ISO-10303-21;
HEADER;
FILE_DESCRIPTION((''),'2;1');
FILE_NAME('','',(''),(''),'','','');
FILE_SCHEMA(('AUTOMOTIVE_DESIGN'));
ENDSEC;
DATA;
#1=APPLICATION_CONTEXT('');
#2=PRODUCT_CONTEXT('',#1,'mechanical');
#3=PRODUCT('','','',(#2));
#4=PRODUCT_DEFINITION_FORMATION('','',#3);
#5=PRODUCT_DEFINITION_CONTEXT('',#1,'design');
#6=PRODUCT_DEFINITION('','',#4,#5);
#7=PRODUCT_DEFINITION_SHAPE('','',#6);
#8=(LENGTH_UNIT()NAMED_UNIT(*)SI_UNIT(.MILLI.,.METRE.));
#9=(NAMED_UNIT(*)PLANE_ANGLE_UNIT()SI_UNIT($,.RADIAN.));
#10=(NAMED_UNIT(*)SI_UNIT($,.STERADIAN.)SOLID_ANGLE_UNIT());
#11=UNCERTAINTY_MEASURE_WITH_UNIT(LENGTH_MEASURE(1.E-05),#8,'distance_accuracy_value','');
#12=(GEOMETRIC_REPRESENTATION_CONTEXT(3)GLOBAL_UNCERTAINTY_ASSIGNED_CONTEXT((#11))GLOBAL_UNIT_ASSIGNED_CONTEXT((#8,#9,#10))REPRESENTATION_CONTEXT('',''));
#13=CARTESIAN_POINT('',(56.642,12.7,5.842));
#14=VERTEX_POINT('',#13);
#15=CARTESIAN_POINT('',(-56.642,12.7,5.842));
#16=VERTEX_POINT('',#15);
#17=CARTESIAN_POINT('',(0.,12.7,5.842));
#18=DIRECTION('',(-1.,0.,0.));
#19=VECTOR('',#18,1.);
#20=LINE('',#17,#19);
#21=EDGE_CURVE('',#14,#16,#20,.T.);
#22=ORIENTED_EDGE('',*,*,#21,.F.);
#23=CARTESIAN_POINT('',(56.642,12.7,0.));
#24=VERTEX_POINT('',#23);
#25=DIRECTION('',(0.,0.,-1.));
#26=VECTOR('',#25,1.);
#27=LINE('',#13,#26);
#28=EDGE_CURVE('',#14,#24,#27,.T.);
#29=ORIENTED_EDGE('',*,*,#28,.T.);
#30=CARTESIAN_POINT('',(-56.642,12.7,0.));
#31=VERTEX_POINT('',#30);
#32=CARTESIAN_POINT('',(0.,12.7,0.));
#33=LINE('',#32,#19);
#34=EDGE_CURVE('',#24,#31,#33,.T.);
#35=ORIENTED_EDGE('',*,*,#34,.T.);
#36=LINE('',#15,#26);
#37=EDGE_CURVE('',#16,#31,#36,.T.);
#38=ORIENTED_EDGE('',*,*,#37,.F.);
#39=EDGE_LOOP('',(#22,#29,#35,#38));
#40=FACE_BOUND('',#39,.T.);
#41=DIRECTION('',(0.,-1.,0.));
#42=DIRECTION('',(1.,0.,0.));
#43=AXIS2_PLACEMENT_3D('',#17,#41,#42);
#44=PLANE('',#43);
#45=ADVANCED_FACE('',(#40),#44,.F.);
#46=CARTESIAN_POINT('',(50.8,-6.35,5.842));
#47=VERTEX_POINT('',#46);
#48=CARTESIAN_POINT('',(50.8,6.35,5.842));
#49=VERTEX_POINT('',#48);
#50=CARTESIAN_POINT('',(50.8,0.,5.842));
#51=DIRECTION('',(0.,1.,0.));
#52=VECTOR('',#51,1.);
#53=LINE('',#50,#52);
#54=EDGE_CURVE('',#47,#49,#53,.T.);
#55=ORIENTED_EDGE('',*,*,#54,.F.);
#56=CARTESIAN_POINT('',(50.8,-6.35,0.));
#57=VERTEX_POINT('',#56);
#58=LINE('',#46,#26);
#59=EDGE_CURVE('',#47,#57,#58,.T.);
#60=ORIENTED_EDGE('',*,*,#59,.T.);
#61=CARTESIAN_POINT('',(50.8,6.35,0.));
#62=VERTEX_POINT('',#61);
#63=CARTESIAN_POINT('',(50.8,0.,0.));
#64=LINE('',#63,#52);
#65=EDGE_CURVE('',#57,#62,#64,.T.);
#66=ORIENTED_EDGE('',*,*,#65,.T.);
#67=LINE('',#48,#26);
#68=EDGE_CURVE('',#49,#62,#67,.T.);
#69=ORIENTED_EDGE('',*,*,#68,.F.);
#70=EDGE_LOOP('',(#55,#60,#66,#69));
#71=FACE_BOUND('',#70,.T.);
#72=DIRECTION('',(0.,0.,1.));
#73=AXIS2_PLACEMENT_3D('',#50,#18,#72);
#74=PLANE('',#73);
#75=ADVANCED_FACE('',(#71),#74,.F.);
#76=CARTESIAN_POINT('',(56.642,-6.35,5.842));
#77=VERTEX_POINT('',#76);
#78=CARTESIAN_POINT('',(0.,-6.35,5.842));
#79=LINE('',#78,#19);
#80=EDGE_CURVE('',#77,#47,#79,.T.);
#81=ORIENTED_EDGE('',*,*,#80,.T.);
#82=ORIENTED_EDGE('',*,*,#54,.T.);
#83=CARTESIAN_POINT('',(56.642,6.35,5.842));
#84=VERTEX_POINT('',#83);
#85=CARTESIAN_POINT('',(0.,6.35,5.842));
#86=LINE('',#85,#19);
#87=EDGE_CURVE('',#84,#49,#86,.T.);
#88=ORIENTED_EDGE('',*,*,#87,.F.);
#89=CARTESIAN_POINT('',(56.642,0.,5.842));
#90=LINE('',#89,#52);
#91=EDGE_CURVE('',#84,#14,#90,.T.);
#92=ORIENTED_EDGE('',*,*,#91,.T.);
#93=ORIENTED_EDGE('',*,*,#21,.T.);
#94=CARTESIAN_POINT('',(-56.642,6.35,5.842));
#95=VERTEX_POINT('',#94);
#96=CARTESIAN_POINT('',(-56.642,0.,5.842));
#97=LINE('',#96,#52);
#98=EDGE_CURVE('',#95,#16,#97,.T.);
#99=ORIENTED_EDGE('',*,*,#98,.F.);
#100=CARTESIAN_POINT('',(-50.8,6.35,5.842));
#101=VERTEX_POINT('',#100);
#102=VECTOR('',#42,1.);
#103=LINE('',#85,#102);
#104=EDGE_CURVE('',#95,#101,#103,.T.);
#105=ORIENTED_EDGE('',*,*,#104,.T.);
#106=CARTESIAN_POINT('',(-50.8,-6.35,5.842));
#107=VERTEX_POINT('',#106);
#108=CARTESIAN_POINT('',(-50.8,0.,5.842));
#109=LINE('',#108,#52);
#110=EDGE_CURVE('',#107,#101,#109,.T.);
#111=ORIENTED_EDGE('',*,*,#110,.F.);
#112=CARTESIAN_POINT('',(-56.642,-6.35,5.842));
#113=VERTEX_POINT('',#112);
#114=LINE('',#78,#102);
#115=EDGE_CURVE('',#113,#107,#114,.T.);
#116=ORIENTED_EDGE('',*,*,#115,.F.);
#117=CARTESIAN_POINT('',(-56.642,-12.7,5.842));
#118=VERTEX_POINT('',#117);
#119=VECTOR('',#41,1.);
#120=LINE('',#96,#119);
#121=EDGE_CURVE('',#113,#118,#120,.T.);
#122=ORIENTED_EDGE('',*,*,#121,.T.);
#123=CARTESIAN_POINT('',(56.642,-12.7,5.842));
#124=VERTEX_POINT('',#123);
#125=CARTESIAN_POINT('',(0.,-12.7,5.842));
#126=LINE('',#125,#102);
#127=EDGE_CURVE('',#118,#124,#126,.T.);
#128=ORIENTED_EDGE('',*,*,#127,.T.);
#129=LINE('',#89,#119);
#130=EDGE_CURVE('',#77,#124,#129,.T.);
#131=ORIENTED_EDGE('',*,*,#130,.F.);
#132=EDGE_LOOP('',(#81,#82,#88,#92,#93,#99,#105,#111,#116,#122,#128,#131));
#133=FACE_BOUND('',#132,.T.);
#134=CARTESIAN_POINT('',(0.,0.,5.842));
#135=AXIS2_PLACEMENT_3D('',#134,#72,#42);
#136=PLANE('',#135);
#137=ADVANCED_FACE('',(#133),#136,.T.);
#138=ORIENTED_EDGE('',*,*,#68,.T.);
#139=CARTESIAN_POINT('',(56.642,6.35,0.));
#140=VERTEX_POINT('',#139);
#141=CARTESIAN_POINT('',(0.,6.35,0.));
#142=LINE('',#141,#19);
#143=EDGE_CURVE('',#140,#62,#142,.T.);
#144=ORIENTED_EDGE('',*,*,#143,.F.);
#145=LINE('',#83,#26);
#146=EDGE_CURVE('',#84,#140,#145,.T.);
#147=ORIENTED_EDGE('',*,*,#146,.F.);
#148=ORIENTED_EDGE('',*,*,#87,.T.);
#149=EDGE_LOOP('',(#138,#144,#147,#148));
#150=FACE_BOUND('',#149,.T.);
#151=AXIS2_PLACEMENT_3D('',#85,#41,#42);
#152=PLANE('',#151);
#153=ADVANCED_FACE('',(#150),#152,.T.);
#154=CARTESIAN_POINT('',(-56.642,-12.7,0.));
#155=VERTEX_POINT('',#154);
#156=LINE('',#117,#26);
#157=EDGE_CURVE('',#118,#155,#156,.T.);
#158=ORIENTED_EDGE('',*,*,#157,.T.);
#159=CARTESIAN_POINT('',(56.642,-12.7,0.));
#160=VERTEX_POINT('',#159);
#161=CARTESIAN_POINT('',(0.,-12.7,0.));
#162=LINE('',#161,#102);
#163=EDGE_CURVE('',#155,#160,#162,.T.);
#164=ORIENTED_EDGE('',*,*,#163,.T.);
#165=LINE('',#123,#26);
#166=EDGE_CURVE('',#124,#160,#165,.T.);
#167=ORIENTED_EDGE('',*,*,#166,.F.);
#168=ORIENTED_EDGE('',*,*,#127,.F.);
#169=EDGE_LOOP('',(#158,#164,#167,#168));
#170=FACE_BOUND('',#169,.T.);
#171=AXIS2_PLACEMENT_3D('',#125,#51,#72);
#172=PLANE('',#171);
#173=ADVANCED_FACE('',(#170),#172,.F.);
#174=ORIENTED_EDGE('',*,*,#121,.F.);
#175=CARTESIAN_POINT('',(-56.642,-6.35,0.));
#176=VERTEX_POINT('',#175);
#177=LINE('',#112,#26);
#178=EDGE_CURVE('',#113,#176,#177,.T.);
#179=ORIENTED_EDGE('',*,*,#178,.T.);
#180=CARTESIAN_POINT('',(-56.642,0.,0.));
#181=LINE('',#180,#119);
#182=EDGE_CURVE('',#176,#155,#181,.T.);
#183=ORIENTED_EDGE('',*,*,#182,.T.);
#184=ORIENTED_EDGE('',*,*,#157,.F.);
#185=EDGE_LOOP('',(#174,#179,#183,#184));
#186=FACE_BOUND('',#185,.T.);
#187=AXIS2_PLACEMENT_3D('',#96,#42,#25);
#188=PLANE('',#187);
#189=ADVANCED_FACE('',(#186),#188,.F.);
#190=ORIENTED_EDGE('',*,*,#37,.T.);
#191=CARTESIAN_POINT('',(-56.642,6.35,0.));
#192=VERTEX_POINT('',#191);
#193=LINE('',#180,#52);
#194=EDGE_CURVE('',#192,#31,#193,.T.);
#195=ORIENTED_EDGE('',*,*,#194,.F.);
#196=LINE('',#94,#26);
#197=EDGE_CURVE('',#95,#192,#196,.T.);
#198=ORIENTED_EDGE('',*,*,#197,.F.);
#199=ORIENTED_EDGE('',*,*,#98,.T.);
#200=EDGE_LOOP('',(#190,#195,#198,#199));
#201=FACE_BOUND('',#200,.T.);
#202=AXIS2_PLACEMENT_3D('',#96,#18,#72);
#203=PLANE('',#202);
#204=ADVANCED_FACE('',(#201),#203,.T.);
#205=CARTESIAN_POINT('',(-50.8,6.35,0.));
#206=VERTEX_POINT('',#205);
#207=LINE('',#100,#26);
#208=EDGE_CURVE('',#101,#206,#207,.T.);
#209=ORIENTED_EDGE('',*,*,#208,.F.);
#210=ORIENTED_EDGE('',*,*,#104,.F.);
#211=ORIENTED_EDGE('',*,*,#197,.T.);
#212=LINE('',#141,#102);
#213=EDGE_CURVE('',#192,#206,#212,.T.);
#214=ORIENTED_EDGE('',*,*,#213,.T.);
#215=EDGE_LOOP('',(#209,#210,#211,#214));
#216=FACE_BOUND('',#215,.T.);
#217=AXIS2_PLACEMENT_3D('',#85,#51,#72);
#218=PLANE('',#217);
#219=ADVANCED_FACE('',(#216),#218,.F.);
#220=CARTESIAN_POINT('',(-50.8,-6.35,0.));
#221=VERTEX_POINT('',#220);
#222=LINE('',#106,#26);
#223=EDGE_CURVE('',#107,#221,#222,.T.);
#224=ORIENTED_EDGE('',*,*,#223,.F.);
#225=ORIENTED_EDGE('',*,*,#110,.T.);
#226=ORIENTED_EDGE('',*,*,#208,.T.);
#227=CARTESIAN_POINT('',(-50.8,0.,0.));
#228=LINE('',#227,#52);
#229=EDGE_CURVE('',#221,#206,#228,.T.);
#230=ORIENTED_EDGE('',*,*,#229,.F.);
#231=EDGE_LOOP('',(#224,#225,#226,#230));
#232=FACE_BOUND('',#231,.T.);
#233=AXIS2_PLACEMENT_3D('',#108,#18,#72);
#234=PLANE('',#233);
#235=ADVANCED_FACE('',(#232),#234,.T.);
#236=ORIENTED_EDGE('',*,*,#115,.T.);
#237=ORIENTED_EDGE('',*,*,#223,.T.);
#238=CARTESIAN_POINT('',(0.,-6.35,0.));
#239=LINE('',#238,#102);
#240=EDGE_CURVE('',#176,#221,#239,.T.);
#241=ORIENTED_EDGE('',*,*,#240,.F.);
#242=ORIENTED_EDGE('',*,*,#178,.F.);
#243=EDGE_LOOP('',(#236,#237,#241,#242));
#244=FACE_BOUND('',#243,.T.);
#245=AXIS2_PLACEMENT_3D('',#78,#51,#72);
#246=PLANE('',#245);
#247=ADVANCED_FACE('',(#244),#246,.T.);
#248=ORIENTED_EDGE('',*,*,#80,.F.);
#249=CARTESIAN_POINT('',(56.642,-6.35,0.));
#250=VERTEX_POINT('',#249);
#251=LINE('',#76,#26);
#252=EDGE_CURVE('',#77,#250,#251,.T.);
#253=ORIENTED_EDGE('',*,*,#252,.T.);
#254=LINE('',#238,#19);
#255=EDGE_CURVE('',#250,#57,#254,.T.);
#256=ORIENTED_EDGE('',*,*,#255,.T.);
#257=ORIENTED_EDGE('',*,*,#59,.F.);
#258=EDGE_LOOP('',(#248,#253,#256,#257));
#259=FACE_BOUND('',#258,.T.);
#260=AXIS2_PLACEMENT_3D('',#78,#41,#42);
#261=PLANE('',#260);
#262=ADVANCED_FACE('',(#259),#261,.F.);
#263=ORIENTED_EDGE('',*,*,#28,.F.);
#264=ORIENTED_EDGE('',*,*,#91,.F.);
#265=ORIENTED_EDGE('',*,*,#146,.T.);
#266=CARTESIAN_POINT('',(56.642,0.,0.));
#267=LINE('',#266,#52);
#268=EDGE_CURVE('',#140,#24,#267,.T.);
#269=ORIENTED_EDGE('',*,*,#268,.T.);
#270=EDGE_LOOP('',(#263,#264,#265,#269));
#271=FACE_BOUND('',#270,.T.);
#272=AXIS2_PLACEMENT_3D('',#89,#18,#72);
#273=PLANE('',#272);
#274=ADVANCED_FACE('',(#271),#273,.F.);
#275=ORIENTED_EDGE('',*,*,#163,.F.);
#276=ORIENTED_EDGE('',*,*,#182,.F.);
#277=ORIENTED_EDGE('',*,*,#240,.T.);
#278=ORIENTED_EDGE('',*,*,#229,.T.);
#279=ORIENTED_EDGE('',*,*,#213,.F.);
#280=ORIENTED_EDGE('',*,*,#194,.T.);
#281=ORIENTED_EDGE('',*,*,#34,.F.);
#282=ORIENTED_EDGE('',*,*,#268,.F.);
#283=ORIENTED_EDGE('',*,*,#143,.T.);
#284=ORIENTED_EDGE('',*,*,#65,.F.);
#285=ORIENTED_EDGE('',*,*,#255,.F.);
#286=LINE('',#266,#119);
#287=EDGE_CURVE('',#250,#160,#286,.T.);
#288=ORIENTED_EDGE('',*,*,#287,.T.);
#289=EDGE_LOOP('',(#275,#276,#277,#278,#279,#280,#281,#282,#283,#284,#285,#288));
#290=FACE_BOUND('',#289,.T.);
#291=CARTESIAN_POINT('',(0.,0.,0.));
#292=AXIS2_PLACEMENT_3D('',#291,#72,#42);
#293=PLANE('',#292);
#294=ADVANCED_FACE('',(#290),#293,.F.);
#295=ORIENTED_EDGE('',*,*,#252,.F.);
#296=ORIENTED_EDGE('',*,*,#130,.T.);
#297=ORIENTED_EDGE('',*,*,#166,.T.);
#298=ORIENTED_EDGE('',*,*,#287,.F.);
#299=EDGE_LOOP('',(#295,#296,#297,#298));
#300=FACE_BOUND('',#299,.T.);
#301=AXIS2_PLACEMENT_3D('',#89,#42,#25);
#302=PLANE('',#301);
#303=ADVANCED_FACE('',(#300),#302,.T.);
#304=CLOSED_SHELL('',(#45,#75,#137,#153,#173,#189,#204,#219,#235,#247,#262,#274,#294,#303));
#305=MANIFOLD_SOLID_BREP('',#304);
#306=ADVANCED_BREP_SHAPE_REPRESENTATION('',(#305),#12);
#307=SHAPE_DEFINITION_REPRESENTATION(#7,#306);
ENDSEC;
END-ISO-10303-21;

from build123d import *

# Parameters (mm, degrees)
BOSS_EXTRUDE1_DEPTH = 5.842


with BuildPart() as part:
    # Sketch1 → Boss-Extrude1 (new body)
    with BuildSketch(Plane.XY):
        Polygon((56.642, 6.35), (50.8, 6.35), (50.8, -6.35), (56.642, -6.35), (56.642, -12.7), (50.8, -12.7), (-50.8, -12.7), (-56.642, -12.7), (-56.642, -6.35), (-50.8, -6.35), (-50.8, 6.35), (-56.642, 6.35), (-56.642, 12.7), (-50.8, 12.7), (50.8, 12.7), (56.642, 12.7), align=None)
    extrude(amount=BOSS_EXTRUDE1_DEPTH)


solid = part.part
